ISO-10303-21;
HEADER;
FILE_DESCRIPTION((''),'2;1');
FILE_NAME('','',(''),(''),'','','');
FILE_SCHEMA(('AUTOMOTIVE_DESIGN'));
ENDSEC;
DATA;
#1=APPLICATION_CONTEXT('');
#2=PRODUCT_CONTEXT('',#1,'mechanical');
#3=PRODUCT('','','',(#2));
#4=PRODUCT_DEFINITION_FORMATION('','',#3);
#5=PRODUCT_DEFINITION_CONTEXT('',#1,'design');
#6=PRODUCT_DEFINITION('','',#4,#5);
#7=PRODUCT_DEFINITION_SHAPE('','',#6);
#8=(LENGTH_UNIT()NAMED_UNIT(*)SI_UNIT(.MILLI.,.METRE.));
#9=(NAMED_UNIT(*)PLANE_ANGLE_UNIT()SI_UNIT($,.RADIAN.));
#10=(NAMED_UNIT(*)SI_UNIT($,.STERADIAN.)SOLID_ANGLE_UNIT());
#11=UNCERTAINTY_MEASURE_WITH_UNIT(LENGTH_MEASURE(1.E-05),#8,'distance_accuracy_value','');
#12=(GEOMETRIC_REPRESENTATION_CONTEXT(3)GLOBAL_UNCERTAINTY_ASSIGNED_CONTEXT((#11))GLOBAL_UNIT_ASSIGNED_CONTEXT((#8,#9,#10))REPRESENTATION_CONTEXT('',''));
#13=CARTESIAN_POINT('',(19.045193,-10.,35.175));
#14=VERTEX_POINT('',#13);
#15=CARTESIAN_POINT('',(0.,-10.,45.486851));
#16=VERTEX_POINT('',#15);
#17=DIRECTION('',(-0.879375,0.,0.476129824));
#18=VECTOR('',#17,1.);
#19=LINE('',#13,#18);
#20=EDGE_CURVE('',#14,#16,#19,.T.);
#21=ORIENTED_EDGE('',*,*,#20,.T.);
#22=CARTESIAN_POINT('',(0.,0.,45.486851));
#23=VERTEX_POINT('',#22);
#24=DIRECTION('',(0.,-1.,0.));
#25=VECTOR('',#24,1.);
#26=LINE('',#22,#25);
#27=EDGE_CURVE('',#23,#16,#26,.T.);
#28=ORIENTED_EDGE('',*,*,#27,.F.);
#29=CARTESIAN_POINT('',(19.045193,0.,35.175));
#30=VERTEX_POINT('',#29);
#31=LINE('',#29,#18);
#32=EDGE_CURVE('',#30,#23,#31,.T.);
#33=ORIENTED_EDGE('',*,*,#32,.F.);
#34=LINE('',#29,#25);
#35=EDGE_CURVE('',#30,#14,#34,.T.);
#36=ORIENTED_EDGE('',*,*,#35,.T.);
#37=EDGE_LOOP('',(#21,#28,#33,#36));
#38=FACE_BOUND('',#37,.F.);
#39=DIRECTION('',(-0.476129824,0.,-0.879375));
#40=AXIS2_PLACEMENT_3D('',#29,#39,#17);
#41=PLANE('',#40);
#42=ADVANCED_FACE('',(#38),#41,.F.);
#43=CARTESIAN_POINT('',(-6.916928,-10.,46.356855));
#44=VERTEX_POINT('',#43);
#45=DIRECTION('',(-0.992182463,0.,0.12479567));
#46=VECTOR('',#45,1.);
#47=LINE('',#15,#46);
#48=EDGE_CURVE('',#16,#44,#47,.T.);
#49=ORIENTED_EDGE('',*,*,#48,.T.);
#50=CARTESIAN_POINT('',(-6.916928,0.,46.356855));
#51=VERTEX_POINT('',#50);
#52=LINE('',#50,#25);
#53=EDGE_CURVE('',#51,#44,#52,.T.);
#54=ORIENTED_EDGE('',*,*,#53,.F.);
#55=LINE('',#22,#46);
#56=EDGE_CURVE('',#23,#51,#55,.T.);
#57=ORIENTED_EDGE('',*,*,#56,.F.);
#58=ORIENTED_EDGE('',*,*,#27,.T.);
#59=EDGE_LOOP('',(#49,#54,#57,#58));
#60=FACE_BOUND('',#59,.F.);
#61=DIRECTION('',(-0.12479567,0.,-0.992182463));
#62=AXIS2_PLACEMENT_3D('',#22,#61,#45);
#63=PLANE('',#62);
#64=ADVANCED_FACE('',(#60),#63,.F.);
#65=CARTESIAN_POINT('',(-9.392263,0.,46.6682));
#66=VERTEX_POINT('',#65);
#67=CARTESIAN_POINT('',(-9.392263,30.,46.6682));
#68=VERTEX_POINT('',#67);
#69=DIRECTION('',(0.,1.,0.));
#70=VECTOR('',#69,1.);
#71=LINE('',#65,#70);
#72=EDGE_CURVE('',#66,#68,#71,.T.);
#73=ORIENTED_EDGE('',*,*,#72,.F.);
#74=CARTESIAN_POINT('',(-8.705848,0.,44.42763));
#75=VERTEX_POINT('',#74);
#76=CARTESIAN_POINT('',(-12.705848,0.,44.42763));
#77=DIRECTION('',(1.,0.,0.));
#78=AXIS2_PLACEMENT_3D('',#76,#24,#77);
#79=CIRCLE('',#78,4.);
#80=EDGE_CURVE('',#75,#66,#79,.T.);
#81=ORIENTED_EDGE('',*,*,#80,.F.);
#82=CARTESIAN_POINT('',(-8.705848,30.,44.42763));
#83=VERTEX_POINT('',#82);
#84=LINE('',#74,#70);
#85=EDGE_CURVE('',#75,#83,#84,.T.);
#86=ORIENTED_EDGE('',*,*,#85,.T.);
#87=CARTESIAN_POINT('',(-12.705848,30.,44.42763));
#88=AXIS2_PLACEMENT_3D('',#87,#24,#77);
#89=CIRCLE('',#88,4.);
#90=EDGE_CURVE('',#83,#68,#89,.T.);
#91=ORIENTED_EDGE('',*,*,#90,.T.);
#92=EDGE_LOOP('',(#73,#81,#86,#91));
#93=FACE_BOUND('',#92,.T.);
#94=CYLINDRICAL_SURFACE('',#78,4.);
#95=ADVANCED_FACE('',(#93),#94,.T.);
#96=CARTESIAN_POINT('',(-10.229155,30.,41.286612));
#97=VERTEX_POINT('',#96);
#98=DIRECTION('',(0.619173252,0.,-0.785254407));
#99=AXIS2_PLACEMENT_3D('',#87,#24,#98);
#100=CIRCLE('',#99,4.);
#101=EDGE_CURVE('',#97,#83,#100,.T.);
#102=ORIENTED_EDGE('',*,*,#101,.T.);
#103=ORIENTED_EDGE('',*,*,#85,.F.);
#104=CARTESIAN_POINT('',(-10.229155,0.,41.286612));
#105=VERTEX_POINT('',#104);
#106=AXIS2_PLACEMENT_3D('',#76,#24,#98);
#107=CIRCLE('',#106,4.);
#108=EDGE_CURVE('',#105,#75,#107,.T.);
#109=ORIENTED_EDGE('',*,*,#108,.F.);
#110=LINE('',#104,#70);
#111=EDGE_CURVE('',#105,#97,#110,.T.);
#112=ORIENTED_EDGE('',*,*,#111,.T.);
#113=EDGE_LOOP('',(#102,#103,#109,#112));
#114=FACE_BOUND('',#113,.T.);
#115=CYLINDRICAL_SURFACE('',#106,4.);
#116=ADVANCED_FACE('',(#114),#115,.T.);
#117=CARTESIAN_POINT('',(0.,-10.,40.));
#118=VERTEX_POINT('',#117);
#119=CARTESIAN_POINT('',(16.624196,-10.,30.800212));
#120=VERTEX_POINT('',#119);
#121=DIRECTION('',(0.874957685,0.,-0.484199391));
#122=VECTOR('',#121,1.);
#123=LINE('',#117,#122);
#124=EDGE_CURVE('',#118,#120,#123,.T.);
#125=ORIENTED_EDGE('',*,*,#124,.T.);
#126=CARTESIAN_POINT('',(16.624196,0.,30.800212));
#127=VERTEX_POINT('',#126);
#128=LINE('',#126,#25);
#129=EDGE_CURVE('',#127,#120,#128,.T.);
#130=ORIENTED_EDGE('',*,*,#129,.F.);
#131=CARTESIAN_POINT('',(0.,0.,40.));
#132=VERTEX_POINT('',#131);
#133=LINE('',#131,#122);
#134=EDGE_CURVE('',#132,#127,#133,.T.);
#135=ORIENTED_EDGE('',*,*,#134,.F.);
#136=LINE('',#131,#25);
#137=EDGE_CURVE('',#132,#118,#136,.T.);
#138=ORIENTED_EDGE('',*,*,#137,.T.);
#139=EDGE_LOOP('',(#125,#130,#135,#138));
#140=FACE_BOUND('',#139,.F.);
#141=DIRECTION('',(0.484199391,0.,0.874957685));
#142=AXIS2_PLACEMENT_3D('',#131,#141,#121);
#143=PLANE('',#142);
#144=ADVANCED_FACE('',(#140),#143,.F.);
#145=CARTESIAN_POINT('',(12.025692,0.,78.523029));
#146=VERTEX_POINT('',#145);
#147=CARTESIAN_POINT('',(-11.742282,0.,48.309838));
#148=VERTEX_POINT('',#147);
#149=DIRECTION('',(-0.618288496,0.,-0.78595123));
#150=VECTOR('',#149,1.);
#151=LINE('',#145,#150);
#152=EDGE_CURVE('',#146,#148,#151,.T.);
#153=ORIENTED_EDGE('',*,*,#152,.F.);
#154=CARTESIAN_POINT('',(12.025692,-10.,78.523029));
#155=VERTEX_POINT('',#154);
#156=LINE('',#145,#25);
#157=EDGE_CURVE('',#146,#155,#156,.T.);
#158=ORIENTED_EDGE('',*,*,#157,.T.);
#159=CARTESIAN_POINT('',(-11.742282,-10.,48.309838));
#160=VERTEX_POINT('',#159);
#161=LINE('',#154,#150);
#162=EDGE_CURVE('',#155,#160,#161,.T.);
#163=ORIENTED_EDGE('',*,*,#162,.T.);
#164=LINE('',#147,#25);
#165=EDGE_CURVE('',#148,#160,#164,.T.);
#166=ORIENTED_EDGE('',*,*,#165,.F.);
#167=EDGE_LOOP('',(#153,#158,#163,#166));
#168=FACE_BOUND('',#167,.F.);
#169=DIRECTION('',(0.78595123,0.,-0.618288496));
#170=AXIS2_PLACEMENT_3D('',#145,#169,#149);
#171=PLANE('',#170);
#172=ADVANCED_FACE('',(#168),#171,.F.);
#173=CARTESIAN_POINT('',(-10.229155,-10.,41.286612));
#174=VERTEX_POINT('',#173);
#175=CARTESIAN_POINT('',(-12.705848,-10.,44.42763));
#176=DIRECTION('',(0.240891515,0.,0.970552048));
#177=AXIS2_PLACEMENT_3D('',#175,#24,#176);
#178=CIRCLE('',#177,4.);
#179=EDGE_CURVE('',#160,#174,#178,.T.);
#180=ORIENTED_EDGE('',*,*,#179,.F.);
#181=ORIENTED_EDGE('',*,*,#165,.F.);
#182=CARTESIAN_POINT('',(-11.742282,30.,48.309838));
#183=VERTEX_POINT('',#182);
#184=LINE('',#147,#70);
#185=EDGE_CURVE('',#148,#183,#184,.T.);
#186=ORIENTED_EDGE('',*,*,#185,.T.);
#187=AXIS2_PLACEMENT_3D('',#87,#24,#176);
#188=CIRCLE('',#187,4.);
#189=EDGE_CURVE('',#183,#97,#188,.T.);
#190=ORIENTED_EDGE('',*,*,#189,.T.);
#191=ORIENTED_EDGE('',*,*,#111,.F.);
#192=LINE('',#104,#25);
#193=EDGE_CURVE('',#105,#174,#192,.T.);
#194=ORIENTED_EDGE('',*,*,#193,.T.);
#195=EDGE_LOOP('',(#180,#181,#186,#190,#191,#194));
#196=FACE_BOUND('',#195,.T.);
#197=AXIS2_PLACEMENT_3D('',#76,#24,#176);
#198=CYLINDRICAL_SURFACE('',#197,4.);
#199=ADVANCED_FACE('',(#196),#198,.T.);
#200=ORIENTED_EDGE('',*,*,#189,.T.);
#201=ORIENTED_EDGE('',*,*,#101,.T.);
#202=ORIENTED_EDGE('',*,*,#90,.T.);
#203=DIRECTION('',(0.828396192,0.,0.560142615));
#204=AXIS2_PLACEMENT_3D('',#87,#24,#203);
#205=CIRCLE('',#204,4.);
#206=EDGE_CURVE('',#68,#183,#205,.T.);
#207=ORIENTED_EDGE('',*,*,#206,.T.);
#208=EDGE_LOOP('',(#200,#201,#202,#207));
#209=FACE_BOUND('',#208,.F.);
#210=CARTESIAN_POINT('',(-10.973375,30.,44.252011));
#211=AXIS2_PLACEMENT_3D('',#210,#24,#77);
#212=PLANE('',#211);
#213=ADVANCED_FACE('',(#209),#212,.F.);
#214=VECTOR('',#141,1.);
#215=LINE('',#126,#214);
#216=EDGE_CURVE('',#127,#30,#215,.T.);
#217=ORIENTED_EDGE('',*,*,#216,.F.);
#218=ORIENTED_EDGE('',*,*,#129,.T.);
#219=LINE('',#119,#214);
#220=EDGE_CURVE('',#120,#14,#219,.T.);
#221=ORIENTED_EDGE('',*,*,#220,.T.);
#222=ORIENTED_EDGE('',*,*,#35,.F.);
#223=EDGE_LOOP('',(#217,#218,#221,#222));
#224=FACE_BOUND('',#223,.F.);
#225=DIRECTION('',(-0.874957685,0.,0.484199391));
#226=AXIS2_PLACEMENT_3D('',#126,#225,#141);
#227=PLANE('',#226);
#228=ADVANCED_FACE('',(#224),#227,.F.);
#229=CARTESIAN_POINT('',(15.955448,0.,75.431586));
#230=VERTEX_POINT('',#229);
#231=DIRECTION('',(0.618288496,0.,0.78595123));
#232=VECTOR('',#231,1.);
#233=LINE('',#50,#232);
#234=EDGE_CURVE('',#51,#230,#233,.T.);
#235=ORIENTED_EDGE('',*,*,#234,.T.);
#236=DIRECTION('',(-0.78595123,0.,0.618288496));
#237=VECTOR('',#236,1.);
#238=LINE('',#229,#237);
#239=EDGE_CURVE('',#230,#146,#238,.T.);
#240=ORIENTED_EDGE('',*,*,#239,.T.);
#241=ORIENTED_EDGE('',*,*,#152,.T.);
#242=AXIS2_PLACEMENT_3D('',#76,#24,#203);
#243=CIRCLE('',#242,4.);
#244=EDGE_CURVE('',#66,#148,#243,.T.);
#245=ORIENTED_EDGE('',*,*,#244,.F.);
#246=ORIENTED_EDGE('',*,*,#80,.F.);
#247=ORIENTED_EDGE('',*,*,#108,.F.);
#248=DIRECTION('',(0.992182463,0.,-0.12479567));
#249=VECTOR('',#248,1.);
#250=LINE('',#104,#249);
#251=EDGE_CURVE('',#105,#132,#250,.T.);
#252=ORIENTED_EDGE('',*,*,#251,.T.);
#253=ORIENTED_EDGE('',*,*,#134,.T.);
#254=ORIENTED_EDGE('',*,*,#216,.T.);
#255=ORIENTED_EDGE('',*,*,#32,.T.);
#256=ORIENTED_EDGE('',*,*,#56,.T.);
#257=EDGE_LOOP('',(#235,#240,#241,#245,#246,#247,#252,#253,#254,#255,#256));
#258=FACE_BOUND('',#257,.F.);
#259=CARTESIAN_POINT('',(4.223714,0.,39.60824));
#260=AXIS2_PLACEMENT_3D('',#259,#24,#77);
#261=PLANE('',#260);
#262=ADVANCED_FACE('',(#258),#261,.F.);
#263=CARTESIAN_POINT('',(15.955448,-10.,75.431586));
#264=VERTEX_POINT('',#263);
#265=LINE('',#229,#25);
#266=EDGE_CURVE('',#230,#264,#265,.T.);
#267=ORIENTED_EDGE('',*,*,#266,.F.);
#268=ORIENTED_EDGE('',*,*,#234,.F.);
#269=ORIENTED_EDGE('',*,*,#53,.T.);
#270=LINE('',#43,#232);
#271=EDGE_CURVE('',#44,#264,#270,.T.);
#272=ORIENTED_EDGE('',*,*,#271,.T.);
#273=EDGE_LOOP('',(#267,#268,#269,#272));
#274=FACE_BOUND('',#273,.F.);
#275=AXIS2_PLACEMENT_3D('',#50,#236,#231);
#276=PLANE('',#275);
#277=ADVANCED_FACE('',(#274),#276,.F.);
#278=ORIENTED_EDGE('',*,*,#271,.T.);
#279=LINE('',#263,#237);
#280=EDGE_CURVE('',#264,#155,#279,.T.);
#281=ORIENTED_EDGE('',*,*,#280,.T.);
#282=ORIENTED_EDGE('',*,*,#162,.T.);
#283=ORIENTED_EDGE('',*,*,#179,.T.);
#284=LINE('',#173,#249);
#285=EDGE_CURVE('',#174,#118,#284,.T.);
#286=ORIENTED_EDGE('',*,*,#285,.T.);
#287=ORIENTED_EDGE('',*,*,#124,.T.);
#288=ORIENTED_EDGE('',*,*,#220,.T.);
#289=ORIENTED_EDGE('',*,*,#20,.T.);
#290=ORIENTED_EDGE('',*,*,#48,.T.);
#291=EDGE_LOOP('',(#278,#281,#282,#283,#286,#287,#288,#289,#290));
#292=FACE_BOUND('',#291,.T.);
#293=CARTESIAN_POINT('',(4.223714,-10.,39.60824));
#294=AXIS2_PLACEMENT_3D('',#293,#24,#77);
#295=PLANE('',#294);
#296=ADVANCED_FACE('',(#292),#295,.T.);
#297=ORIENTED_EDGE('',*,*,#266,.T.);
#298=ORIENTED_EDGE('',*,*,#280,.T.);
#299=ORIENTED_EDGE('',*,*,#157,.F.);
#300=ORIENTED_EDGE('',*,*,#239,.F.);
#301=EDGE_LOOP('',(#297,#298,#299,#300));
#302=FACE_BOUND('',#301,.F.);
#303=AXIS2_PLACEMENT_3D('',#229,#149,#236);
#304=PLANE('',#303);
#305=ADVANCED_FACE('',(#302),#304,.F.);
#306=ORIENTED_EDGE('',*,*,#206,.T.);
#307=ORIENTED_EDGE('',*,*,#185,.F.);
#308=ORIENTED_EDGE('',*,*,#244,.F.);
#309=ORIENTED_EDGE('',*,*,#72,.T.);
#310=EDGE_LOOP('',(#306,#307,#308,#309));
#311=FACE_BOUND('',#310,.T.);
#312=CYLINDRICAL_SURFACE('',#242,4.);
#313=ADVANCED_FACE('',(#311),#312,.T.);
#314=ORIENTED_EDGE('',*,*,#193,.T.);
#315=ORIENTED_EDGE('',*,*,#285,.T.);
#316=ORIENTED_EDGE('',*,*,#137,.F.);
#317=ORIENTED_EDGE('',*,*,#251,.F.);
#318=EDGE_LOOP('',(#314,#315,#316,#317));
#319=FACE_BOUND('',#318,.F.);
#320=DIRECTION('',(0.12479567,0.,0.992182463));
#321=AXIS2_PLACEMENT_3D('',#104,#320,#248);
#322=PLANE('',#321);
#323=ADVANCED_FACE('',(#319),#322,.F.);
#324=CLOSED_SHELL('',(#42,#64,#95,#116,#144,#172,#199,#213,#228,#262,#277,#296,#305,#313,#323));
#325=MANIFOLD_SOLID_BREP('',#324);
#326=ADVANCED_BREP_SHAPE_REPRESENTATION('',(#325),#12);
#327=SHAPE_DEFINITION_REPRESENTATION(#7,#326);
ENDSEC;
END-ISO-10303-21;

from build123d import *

# Parameters (mm, degrees)
F1_DEPTH = 10
F2_DEPTH = 10
F3_DEPTH = 30


with BuildPart() as f1:
    # F0 (on Front) → F1 (new body)
    with BuildSketch(Plane.XZ):
        with BuildLine():
            Line((-12.7058480853, 41.598128256), (-10.2291550788, 41.2866124053))
            ThreePointArc((-10.2291550788, 41.2866124053), (-9.1067668118, 42.6821747975), (-8.7058480853, 44.4276300352))
            ThreePointArc((-8.7058480853, 44.4276300352), (-8.8812998063, 45.5993085158), (-9.3922633163, 46.6682004935))
            Line((-9.3922633163, 46.6682004935), (-12.7058480853, 47.084979713))
            Line((-12.7058480853, 47.084979713), (-12.7058480853, 41.598128256))
        make_face()
        with BuildLine():
            ThreePointArc((-11.7422820262, 48.3098382277), (-16.6161256775, 43.5851757919), (-10.2291550788, 41.2866124053))
            Line((-10.2291550788, 41.2866124053), (-12.7058480853, 41.598128256))
            Line((-12.7058480853, 41.598128256), (-12.7058480853, 47.084979713))
            Line((-12.7058480853, 47.084979713), (-11.7422820262, 48.3098382277))
        make_face()
        with BuildLine():
            ThreePointArc((-9.3922633163, 46.6682004935), (-10.4151607617, 47.7067688834), (-11.7422820262, 48.3098382277))
            Line((-11.7422820262, 48.3098382277), (-12.7058480853, 47.084979713))
            Line((-12.7058480853, 47.084979713), (-9.3922633163, 46.6682004935))
        make_face()
    extrude(amount=F1_DEPTH)

    # F0 (on Front) → F2 (join)
    with BuildSketch(Plane.XZ):
        with BuildLine():
            Line((-10.2291550788, 41.2866124053), (0, 40))
            Line((0, 40), (16.6241960095, 30.8002115765))
            Line((16.6241960095, 30.8002115765), (19.0451929631, 35.175))
            Line((19.0451929631, 35.175), (0, 45.486851457))
            Line((0, 45.486851457), (-6.9169276979, 46.3568553736))
            Line((-6.9169276979, 46.3568553736), (-9.3922633163, 46.6682004935))
            ThreePointArc((-9.3922633163, 46.6682004935), (-8.8812998063, 45.5993085158), (-8.7058480853, 44.4276300352))
            ThreePointArc((-8.7058480853, 44.4276300352), (-9.1067668118, 42.6821747975), (-10.2291550788, 41.2866124053))
        make_face()
        with BuildLine():
            Line((12.0256917617, 78.5230289018), (-11.7422820262, 48.3098382277))
            ThreePointArc((-11.7422820262, 48.3098382277), (-10.4151607617, 47.7067688834), (-9.3922633163, 46.6682004935))
            Line((-9.3922633163, 46.6682004935), (-6.9169276979, 46.3568553736))
            Line((-6.9169276979, 46.3568553736), (15.9554479103, 75.4315864209))
            Line((15.9554479103, 75.4315864209), (12.0256917617, 78.5230289018))
        make_face()
    extrude(amount=F2_DEPTH)

    # F0 (on Front) → F3 (join)
    with BuildSketch(Plane.XZ):
        with BuildLine():
            Line((-12.7058480853, 41.598128256), (-10.2291550788, 41.2866124053))
            ThreePointArc((-10.2291550788, 41.2866124053), (-9.1067668118, 42.6821747975), (-8.7058480853, 44.4276300352))
            ThreePointArc((-8.7058480853, 44.4276300352), (-8.8812998063, 45.5993085158), (-9.3922633163, 46.6682004935))
            Line((-9.3922633163, 46.6682004935), (-12.7058480853, 47.084979713))
            Line((-12.7058480853, 47.084979713), (-12.7058480853, 41.598128256))
        make_face()
        with BuildLine():
            ThreePointArc((-9.3922633163, 46.6682004935), (-10.4151607617, 47.7067688834), (-11.7422820262, 48.3098382277))
            Line((-11.7422820262, 48.3098382277), (-12.7058480853, 47.084979713))
            Line((-12.7058480853, 47.084979713), (-9.3922633163, 46.6682004935))
        make_face()
        with BuildLine():
            ThreePointArc((-11.7422820262, 48.3098382277), (-16.6161256775, 43.5851757919), (-10.2291550788, 41.2866124053))
            Line((-10.2291550788, 41.2866124053), (-12.7058480853, 41.598128256))
            Line((-12.7058480853, 41.598128256), (-12.7058480853, 47.084979713))
            Line((-12.7058480853, 47.084979713), (-11.7422820262, 48.3098382277))
        make_face()
    extrude(amount=-F3_DEPTH)


solid = f1.part
